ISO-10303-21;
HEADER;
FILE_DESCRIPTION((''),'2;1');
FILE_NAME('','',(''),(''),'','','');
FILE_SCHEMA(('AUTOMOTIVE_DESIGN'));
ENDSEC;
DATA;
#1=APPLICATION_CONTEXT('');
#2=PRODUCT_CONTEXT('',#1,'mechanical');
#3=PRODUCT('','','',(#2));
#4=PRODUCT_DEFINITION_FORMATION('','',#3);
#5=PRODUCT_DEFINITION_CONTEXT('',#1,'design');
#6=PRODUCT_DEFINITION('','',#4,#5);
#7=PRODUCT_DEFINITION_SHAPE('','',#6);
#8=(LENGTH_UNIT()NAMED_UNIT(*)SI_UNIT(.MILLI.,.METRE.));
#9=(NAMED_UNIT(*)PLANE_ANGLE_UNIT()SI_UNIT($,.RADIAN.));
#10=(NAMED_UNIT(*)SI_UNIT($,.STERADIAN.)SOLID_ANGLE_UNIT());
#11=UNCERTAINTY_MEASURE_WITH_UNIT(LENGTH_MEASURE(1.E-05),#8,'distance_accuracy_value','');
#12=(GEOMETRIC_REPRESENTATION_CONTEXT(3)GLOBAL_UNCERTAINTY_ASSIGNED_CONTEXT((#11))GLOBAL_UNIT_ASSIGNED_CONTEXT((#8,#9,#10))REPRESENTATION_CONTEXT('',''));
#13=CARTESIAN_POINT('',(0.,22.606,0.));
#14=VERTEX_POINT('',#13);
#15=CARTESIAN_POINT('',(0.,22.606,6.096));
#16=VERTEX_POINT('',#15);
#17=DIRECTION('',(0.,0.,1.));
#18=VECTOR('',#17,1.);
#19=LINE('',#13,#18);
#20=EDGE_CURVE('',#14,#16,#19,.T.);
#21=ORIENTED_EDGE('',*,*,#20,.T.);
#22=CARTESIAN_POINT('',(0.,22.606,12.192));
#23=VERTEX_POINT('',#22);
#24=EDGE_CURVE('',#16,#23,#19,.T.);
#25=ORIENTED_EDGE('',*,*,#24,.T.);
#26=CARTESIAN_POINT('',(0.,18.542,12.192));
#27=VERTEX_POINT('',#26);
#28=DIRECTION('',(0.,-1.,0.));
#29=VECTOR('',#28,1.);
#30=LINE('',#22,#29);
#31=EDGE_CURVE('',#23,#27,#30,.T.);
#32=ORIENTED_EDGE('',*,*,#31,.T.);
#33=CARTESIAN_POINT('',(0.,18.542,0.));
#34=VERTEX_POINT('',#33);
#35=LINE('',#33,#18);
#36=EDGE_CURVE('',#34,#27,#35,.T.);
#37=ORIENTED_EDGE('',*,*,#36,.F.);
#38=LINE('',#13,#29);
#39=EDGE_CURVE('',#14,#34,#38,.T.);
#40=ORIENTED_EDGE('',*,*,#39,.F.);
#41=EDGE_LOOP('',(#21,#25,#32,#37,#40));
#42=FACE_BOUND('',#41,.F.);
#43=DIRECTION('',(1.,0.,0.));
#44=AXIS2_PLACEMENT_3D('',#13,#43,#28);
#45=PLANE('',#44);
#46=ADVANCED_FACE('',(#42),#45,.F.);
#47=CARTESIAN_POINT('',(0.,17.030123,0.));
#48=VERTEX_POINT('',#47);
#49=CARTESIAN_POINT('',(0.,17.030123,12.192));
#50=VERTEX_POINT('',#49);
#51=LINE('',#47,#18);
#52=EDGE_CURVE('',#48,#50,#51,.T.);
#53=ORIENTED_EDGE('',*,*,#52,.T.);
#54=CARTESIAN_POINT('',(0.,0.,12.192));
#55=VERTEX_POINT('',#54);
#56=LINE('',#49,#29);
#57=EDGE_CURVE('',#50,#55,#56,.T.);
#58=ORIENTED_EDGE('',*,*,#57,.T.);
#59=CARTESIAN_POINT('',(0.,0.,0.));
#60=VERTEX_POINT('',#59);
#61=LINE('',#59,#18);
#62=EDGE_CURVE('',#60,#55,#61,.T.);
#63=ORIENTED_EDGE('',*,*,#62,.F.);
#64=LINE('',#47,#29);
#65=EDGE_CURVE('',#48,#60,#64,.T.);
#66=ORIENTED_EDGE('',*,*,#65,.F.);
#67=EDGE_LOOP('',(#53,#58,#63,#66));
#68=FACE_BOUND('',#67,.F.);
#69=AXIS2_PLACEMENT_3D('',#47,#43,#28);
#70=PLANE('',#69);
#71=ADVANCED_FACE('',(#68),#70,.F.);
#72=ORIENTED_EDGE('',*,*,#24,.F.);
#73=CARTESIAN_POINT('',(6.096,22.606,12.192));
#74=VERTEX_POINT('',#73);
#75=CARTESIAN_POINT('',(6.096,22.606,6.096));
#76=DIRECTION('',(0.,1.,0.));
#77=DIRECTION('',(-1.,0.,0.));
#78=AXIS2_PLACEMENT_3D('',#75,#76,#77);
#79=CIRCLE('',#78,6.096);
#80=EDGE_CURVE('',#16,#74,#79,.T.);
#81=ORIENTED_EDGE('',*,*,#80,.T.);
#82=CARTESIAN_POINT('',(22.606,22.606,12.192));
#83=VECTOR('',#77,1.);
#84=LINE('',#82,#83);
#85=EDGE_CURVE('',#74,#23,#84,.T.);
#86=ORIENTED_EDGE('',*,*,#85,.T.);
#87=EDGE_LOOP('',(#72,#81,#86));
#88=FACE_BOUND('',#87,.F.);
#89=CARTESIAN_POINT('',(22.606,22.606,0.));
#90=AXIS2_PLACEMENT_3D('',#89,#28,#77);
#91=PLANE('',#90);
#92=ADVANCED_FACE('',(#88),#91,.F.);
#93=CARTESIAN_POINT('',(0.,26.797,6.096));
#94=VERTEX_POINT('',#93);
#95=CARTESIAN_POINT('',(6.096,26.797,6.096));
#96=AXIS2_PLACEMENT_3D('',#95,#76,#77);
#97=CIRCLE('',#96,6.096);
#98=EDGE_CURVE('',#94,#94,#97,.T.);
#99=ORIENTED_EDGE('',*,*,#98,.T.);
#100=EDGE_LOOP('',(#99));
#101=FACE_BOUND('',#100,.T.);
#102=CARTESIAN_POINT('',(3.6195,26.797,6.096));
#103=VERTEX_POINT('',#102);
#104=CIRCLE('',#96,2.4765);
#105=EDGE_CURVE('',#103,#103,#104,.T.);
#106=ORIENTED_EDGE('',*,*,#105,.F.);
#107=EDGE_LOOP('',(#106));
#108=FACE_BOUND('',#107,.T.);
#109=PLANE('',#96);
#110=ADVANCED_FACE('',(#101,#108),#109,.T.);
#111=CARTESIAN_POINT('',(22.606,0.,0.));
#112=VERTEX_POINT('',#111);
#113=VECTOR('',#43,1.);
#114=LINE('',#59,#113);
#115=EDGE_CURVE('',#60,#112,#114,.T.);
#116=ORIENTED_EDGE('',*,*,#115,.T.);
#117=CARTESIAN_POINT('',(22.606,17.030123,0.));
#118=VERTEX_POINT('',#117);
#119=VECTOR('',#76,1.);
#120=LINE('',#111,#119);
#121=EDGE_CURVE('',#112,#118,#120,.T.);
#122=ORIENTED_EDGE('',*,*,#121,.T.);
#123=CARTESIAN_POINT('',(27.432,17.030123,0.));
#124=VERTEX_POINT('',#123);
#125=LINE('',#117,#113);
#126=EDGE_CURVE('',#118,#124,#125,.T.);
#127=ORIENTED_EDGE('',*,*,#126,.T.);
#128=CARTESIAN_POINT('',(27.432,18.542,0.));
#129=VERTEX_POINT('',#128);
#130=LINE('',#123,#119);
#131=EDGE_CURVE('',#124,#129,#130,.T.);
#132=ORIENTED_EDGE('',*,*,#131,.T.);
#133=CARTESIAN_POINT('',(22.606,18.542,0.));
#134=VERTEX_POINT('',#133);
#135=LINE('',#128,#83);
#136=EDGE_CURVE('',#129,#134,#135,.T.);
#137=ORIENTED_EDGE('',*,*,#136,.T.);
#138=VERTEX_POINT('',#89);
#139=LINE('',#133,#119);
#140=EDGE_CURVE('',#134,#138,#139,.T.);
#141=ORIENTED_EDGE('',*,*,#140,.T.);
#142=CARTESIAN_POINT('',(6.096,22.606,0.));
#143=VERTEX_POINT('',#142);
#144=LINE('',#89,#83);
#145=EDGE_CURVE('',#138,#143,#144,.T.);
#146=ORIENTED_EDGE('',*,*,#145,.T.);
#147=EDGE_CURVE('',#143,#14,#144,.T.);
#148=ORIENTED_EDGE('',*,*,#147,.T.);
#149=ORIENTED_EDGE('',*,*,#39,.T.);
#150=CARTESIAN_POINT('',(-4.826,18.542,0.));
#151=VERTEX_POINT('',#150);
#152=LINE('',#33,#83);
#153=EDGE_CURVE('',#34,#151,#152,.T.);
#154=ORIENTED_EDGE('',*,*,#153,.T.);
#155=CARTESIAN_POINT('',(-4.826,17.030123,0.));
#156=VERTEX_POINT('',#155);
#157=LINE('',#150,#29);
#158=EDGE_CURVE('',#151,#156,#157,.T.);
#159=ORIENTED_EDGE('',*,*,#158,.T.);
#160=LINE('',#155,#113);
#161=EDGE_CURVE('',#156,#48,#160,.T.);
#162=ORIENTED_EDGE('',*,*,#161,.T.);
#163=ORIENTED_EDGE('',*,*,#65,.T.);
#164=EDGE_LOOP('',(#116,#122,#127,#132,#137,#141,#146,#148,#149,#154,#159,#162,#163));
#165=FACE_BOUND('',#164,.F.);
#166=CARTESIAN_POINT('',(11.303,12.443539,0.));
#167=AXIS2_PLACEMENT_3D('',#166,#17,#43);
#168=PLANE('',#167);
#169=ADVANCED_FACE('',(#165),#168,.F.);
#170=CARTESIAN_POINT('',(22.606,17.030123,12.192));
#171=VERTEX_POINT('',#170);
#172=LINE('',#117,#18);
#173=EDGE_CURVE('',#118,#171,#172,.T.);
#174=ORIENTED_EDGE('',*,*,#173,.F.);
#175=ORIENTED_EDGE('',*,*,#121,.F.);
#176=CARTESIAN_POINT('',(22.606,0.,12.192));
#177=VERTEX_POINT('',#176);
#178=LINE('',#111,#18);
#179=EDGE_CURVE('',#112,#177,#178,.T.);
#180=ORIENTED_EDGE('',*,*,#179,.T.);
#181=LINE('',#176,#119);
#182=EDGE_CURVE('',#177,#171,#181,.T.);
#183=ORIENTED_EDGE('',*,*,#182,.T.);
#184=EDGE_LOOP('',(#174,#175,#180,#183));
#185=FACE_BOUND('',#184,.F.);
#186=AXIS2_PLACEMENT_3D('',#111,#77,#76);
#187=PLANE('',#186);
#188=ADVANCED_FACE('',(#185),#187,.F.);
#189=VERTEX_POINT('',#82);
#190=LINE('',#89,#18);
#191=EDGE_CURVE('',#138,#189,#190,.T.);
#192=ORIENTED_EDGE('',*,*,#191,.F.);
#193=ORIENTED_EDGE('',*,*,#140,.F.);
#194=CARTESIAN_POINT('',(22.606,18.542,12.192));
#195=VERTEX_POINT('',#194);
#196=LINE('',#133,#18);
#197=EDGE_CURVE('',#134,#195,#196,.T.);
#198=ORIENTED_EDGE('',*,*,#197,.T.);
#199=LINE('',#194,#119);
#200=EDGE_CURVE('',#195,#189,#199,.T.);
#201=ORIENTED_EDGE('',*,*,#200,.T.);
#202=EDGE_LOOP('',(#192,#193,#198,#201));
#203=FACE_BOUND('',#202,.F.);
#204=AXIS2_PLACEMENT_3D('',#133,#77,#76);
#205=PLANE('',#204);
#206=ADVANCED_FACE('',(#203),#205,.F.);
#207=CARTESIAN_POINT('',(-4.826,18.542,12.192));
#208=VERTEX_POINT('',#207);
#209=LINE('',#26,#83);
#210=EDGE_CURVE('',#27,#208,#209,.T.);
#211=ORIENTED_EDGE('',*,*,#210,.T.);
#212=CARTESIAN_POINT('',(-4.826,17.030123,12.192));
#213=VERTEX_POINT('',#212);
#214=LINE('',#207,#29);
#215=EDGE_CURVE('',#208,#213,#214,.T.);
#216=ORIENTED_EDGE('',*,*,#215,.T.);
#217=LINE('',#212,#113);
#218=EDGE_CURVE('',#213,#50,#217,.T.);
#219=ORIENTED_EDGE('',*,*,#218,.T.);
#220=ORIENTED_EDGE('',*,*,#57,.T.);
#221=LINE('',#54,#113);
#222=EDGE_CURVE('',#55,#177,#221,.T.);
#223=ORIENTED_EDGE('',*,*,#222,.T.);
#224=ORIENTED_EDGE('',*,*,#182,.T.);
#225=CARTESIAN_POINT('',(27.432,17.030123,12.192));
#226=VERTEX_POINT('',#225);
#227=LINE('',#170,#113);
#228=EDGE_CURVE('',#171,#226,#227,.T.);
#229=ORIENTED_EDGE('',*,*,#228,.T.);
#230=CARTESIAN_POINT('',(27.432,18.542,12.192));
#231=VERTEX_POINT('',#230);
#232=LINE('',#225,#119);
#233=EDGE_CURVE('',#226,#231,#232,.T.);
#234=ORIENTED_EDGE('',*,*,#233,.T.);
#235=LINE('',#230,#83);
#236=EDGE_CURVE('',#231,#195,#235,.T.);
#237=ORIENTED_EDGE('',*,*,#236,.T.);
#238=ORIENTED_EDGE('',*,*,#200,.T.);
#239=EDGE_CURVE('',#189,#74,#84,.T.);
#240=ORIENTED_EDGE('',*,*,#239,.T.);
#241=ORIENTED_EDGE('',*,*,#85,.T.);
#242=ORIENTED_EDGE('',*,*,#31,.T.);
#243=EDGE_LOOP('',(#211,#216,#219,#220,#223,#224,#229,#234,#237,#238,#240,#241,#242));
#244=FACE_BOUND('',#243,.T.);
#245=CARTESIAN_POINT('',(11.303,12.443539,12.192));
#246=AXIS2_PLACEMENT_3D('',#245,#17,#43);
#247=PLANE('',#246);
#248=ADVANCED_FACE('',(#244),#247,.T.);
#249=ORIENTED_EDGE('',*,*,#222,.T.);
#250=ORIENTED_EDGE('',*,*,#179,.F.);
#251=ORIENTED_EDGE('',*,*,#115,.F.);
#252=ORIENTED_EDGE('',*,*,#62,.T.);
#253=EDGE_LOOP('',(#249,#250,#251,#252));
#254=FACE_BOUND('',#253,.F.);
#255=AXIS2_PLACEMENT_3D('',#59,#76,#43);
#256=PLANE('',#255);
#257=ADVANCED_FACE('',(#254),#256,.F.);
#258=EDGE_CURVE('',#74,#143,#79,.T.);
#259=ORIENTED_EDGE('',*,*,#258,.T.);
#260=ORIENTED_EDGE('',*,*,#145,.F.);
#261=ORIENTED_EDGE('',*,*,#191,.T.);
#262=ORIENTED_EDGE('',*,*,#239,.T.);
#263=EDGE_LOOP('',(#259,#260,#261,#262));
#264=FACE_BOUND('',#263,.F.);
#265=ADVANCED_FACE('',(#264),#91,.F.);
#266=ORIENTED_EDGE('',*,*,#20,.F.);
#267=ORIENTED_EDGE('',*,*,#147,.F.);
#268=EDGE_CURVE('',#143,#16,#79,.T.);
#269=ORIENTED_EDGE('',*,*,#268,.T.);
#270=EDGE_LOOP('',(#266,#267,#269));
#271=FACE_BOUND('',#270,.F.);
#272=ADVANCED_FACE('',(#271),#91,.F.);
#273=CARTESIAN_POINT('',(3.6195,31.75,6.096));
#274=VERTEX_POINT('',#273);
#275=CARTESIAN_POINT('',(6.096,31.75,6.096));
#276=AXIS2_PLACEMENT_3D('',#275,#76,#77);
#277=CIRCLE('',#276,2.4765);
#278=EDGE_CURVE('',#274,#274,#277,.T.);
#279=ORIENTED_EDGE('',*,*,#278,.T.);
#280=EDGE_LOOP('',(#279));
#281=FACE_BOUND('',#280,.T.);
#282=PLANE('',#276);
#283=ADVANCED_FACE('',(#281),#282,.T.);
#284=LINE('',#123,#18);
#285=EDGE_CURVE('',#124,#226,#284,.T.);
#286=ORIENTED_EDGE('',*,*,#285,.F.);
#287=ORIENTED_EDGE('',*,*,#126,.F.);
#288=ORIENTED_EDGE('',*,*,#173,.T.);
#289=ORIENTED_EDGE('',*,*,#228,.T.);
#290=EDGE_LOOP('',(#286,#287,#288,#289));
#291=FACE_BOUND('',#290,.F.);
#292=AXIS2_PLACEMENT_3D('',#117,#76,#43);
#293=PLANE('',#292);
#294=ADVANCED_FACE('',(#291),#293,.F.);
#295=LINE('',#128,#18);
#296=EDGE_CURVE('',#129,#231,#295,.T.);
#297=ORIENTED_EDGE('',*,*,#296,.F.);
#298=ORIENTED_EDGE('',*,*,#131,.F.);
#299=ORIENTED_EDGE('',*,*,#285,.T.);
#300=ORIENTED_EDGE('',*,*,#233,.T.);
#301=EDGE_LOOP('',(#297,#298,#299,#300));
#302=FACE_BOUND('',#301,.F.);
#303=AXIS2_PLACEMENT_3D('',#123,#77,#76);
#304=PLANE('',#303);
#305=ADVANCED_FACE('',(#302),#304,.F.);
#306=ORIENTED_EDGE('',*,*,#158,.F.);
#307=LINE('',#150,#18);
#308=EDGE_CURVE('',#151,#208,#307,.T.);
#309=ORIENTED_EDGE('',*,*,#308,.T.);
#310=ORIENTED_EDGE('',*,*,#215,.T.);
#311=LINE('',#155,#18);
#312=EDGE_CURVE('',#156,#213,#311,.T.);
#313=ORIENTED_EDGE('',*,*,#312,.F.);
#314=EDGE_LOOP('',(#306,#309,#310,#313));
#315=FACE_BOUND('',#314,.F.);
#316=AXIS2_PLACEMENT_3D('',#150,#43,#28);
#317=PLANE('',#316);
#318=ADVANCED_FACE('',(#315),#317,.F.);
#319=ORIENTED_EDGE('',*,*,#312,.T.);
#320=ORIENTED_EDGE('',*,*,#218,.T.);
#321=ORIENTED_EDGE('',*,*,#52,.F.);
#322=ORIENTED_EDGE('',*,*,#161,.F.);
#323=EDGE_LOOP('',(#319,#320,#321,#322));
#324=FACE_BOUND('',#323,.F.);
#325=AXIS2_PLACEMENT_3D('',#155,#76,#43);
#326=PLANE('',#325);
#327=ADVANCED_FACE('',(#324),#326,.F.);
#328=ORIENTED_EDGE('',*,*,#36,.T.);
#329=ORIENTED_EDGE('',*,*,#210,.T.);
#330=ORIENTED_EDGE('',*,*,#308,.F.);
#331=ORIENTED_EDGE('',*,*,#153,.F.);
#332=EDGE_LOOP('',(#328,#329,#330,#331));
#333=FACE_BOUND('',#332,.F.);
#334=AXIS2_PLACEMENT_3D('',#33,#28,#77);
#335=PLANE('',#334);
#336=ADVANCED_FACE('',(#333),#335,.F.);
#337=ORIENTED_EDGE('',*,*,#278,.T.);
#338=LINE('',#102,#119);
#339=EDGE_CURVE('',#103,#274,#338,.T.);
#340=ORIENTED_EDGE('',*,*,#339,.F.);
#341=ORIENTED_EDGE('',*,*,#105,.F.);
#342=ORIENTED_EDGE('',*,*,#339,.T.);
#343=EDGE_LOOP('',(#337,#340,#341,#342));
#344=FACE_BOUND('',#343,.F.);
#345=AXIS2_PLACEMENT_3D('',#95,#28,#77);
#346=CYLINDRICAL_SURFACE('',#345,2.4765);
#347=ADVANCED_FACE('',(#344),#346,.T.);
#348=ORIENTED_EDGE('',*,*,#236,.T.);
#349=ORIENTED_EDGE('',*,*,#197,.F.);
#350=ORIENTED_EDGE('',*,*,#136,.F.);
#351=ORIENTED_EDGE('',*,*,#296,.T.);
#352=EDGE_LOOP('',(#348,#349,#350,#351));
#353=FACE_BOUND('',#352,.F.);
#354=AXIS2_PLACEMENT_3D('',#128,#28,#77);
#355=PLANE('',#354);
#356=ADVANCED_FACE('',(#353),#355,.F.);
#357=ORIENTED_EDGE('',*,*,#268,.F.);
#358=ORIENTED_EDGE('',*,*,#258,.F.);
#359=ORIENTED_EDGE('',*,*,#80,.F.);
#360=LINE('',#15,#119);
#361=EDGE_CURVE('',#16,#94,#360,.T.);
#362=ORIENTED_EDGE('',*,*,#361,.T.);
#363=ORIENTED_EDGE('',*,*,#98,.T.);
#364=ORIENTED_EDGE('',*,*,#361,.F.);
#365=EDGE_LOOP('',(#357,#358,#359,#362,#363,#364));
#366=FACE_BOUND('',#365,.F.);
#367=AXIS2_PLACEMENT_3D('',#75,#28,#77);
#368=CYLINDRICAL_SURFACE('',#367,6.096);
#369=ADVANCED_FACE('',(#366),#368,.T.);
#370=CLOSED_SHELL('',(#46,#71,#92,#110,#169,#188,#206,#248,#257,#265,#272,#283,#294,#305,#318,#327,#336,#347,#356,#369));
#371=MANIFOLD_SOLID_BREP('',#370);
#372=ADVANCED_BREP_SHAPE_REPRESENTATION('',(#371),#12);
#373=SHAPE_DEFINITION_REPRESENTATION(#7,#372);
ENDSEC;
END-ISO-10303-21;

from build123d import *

# Parameters (mm, degrees)
F1_DEPTH = 12.192
F2_R     = 6.096
F3_DEPTH = 4.191
F4_R     = 2.4765
F5_DEPTH = 4.953


with BuildPart() as f1:
    # F0 (on Top) → F1 (new body)
    with BuildSketch(Plane.XY):
        Polygon((0, 17.030123), (0, 0), (22.606, 0), (22.606, 17.030123), (27.432, 17.030123), (27.432, 18.542), (22.606, 18.542), (22.606, 22.606), (0, 22.606), (0, 18.542), (-4.826, 18.542), (-4.826, 17.030123), align=None)
    extrude(amount=F1_DEPTH)

    # F2 (on face) → F3 (join)
    with BuildSketch(Plane(origin=(0, 22.606, 0), x_dir=(-1, 0, 0), z_dir=(0, 1, 0))):
        with Locations((-6.096, 6.096)):
            Circle(F2_R)
    extrude(amount=F3_DEPTH)

    # F4 (on face) → F5 (join)
    with BuildSketch(Plane(origin=(0, 26.797, 0), x_dir=(-1, 0, 0), z_dir=(0, 1, 0))):
        with Locations((-6.096, 6.096)):
            Circle(F4_R)
    extrude(amount=F5_DEPTH)


solid = f1.part
